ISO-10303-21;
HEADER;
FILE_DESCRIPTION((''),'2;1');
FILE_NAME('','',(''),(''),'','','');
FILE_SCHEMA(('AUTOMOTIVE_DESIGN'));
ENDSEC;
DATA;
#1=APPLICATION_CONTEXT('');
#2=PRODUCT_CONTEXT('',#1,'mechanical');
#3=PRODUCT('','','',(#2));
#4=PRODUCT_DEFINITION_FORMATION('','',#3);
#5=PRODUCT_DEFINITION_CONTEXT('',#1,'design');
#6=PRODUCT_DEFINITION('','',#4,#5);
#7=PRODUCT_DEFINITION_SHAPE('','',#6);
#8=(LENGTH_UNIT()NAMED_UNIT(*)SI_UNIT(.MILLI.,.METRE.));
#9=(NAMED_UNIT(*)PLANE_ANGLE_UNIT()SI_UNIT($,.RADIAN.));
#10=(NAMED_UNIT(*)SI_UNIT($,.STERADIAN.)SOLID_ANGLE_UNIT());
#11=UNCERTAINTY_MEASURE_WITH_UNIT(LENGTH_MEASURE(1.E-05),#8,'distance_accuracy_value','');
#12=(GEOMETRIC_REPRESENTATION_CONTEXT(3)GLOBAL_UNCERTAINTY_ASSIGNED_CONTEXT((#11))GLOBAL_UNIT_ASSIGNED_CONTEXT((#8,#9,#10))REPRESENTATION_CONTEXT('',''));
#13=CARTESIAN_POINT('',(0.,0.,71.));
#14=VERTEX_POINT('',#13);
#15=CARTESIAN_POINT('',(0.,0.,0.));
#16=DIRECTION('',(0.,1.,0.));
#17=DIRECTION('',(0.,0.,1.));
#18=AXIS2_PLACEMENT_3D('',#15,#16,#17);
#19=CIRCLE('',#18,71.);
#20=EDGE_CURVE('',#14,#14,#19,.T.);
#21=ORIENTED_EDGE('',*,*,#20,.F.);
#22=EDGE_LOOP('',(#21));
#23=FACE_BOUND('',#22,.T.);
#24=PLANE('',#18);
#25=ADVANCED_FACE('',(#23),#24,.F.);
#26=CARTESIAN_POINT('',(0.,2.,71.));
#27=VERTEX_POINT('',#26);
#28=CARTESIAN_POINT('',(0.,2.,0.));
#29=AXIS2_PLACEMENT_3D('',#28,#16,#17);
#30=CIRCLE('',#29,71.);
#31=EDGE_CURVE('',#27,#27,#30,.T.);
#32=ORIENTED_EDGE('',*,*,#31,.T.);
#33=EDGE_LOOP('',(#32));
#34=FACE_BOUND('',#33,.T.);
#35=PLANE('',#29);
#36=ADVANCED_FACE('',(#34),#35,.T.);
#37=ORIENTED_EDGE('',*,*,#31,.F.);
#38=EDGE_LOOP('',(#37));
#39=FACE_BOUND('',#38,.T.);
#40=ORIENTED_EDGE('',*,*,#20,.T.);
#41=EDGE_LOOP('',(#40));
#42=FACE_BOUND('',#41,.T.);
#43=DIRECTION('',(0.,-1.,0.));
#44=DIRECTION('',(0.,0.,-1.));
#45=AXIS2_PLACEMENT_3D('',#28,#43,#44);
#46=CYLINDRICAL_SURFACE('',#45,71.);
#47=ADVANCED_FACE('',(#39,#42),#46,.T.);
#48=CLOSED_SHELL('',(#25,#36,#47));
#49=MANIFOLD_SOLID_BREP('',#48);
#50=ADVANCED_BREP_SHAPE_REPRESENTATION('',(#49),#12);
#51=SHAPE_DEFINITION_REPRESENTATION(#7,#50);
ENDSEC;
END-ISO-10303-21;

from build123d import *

# Parameters (mm, degrees)
SKETCH_1_R      = 71
EXTRUDE_1_DEPTH = 2


with BuildPart() as part:
    # 草圖1 → 填料-伸長1 (new body)
    with BuildSketch(Plane(origin=(0, 0, 0), x_dir=(1, 0, 0), z_dir=(0, 1, 0))):
        with Locations(Location((0, 0, 0), (0, 0, 270))):
            Circle(SKETCH_1_R)
    extrude(amount=EXTRUDE_1_DEPTH)


solid = part.part
